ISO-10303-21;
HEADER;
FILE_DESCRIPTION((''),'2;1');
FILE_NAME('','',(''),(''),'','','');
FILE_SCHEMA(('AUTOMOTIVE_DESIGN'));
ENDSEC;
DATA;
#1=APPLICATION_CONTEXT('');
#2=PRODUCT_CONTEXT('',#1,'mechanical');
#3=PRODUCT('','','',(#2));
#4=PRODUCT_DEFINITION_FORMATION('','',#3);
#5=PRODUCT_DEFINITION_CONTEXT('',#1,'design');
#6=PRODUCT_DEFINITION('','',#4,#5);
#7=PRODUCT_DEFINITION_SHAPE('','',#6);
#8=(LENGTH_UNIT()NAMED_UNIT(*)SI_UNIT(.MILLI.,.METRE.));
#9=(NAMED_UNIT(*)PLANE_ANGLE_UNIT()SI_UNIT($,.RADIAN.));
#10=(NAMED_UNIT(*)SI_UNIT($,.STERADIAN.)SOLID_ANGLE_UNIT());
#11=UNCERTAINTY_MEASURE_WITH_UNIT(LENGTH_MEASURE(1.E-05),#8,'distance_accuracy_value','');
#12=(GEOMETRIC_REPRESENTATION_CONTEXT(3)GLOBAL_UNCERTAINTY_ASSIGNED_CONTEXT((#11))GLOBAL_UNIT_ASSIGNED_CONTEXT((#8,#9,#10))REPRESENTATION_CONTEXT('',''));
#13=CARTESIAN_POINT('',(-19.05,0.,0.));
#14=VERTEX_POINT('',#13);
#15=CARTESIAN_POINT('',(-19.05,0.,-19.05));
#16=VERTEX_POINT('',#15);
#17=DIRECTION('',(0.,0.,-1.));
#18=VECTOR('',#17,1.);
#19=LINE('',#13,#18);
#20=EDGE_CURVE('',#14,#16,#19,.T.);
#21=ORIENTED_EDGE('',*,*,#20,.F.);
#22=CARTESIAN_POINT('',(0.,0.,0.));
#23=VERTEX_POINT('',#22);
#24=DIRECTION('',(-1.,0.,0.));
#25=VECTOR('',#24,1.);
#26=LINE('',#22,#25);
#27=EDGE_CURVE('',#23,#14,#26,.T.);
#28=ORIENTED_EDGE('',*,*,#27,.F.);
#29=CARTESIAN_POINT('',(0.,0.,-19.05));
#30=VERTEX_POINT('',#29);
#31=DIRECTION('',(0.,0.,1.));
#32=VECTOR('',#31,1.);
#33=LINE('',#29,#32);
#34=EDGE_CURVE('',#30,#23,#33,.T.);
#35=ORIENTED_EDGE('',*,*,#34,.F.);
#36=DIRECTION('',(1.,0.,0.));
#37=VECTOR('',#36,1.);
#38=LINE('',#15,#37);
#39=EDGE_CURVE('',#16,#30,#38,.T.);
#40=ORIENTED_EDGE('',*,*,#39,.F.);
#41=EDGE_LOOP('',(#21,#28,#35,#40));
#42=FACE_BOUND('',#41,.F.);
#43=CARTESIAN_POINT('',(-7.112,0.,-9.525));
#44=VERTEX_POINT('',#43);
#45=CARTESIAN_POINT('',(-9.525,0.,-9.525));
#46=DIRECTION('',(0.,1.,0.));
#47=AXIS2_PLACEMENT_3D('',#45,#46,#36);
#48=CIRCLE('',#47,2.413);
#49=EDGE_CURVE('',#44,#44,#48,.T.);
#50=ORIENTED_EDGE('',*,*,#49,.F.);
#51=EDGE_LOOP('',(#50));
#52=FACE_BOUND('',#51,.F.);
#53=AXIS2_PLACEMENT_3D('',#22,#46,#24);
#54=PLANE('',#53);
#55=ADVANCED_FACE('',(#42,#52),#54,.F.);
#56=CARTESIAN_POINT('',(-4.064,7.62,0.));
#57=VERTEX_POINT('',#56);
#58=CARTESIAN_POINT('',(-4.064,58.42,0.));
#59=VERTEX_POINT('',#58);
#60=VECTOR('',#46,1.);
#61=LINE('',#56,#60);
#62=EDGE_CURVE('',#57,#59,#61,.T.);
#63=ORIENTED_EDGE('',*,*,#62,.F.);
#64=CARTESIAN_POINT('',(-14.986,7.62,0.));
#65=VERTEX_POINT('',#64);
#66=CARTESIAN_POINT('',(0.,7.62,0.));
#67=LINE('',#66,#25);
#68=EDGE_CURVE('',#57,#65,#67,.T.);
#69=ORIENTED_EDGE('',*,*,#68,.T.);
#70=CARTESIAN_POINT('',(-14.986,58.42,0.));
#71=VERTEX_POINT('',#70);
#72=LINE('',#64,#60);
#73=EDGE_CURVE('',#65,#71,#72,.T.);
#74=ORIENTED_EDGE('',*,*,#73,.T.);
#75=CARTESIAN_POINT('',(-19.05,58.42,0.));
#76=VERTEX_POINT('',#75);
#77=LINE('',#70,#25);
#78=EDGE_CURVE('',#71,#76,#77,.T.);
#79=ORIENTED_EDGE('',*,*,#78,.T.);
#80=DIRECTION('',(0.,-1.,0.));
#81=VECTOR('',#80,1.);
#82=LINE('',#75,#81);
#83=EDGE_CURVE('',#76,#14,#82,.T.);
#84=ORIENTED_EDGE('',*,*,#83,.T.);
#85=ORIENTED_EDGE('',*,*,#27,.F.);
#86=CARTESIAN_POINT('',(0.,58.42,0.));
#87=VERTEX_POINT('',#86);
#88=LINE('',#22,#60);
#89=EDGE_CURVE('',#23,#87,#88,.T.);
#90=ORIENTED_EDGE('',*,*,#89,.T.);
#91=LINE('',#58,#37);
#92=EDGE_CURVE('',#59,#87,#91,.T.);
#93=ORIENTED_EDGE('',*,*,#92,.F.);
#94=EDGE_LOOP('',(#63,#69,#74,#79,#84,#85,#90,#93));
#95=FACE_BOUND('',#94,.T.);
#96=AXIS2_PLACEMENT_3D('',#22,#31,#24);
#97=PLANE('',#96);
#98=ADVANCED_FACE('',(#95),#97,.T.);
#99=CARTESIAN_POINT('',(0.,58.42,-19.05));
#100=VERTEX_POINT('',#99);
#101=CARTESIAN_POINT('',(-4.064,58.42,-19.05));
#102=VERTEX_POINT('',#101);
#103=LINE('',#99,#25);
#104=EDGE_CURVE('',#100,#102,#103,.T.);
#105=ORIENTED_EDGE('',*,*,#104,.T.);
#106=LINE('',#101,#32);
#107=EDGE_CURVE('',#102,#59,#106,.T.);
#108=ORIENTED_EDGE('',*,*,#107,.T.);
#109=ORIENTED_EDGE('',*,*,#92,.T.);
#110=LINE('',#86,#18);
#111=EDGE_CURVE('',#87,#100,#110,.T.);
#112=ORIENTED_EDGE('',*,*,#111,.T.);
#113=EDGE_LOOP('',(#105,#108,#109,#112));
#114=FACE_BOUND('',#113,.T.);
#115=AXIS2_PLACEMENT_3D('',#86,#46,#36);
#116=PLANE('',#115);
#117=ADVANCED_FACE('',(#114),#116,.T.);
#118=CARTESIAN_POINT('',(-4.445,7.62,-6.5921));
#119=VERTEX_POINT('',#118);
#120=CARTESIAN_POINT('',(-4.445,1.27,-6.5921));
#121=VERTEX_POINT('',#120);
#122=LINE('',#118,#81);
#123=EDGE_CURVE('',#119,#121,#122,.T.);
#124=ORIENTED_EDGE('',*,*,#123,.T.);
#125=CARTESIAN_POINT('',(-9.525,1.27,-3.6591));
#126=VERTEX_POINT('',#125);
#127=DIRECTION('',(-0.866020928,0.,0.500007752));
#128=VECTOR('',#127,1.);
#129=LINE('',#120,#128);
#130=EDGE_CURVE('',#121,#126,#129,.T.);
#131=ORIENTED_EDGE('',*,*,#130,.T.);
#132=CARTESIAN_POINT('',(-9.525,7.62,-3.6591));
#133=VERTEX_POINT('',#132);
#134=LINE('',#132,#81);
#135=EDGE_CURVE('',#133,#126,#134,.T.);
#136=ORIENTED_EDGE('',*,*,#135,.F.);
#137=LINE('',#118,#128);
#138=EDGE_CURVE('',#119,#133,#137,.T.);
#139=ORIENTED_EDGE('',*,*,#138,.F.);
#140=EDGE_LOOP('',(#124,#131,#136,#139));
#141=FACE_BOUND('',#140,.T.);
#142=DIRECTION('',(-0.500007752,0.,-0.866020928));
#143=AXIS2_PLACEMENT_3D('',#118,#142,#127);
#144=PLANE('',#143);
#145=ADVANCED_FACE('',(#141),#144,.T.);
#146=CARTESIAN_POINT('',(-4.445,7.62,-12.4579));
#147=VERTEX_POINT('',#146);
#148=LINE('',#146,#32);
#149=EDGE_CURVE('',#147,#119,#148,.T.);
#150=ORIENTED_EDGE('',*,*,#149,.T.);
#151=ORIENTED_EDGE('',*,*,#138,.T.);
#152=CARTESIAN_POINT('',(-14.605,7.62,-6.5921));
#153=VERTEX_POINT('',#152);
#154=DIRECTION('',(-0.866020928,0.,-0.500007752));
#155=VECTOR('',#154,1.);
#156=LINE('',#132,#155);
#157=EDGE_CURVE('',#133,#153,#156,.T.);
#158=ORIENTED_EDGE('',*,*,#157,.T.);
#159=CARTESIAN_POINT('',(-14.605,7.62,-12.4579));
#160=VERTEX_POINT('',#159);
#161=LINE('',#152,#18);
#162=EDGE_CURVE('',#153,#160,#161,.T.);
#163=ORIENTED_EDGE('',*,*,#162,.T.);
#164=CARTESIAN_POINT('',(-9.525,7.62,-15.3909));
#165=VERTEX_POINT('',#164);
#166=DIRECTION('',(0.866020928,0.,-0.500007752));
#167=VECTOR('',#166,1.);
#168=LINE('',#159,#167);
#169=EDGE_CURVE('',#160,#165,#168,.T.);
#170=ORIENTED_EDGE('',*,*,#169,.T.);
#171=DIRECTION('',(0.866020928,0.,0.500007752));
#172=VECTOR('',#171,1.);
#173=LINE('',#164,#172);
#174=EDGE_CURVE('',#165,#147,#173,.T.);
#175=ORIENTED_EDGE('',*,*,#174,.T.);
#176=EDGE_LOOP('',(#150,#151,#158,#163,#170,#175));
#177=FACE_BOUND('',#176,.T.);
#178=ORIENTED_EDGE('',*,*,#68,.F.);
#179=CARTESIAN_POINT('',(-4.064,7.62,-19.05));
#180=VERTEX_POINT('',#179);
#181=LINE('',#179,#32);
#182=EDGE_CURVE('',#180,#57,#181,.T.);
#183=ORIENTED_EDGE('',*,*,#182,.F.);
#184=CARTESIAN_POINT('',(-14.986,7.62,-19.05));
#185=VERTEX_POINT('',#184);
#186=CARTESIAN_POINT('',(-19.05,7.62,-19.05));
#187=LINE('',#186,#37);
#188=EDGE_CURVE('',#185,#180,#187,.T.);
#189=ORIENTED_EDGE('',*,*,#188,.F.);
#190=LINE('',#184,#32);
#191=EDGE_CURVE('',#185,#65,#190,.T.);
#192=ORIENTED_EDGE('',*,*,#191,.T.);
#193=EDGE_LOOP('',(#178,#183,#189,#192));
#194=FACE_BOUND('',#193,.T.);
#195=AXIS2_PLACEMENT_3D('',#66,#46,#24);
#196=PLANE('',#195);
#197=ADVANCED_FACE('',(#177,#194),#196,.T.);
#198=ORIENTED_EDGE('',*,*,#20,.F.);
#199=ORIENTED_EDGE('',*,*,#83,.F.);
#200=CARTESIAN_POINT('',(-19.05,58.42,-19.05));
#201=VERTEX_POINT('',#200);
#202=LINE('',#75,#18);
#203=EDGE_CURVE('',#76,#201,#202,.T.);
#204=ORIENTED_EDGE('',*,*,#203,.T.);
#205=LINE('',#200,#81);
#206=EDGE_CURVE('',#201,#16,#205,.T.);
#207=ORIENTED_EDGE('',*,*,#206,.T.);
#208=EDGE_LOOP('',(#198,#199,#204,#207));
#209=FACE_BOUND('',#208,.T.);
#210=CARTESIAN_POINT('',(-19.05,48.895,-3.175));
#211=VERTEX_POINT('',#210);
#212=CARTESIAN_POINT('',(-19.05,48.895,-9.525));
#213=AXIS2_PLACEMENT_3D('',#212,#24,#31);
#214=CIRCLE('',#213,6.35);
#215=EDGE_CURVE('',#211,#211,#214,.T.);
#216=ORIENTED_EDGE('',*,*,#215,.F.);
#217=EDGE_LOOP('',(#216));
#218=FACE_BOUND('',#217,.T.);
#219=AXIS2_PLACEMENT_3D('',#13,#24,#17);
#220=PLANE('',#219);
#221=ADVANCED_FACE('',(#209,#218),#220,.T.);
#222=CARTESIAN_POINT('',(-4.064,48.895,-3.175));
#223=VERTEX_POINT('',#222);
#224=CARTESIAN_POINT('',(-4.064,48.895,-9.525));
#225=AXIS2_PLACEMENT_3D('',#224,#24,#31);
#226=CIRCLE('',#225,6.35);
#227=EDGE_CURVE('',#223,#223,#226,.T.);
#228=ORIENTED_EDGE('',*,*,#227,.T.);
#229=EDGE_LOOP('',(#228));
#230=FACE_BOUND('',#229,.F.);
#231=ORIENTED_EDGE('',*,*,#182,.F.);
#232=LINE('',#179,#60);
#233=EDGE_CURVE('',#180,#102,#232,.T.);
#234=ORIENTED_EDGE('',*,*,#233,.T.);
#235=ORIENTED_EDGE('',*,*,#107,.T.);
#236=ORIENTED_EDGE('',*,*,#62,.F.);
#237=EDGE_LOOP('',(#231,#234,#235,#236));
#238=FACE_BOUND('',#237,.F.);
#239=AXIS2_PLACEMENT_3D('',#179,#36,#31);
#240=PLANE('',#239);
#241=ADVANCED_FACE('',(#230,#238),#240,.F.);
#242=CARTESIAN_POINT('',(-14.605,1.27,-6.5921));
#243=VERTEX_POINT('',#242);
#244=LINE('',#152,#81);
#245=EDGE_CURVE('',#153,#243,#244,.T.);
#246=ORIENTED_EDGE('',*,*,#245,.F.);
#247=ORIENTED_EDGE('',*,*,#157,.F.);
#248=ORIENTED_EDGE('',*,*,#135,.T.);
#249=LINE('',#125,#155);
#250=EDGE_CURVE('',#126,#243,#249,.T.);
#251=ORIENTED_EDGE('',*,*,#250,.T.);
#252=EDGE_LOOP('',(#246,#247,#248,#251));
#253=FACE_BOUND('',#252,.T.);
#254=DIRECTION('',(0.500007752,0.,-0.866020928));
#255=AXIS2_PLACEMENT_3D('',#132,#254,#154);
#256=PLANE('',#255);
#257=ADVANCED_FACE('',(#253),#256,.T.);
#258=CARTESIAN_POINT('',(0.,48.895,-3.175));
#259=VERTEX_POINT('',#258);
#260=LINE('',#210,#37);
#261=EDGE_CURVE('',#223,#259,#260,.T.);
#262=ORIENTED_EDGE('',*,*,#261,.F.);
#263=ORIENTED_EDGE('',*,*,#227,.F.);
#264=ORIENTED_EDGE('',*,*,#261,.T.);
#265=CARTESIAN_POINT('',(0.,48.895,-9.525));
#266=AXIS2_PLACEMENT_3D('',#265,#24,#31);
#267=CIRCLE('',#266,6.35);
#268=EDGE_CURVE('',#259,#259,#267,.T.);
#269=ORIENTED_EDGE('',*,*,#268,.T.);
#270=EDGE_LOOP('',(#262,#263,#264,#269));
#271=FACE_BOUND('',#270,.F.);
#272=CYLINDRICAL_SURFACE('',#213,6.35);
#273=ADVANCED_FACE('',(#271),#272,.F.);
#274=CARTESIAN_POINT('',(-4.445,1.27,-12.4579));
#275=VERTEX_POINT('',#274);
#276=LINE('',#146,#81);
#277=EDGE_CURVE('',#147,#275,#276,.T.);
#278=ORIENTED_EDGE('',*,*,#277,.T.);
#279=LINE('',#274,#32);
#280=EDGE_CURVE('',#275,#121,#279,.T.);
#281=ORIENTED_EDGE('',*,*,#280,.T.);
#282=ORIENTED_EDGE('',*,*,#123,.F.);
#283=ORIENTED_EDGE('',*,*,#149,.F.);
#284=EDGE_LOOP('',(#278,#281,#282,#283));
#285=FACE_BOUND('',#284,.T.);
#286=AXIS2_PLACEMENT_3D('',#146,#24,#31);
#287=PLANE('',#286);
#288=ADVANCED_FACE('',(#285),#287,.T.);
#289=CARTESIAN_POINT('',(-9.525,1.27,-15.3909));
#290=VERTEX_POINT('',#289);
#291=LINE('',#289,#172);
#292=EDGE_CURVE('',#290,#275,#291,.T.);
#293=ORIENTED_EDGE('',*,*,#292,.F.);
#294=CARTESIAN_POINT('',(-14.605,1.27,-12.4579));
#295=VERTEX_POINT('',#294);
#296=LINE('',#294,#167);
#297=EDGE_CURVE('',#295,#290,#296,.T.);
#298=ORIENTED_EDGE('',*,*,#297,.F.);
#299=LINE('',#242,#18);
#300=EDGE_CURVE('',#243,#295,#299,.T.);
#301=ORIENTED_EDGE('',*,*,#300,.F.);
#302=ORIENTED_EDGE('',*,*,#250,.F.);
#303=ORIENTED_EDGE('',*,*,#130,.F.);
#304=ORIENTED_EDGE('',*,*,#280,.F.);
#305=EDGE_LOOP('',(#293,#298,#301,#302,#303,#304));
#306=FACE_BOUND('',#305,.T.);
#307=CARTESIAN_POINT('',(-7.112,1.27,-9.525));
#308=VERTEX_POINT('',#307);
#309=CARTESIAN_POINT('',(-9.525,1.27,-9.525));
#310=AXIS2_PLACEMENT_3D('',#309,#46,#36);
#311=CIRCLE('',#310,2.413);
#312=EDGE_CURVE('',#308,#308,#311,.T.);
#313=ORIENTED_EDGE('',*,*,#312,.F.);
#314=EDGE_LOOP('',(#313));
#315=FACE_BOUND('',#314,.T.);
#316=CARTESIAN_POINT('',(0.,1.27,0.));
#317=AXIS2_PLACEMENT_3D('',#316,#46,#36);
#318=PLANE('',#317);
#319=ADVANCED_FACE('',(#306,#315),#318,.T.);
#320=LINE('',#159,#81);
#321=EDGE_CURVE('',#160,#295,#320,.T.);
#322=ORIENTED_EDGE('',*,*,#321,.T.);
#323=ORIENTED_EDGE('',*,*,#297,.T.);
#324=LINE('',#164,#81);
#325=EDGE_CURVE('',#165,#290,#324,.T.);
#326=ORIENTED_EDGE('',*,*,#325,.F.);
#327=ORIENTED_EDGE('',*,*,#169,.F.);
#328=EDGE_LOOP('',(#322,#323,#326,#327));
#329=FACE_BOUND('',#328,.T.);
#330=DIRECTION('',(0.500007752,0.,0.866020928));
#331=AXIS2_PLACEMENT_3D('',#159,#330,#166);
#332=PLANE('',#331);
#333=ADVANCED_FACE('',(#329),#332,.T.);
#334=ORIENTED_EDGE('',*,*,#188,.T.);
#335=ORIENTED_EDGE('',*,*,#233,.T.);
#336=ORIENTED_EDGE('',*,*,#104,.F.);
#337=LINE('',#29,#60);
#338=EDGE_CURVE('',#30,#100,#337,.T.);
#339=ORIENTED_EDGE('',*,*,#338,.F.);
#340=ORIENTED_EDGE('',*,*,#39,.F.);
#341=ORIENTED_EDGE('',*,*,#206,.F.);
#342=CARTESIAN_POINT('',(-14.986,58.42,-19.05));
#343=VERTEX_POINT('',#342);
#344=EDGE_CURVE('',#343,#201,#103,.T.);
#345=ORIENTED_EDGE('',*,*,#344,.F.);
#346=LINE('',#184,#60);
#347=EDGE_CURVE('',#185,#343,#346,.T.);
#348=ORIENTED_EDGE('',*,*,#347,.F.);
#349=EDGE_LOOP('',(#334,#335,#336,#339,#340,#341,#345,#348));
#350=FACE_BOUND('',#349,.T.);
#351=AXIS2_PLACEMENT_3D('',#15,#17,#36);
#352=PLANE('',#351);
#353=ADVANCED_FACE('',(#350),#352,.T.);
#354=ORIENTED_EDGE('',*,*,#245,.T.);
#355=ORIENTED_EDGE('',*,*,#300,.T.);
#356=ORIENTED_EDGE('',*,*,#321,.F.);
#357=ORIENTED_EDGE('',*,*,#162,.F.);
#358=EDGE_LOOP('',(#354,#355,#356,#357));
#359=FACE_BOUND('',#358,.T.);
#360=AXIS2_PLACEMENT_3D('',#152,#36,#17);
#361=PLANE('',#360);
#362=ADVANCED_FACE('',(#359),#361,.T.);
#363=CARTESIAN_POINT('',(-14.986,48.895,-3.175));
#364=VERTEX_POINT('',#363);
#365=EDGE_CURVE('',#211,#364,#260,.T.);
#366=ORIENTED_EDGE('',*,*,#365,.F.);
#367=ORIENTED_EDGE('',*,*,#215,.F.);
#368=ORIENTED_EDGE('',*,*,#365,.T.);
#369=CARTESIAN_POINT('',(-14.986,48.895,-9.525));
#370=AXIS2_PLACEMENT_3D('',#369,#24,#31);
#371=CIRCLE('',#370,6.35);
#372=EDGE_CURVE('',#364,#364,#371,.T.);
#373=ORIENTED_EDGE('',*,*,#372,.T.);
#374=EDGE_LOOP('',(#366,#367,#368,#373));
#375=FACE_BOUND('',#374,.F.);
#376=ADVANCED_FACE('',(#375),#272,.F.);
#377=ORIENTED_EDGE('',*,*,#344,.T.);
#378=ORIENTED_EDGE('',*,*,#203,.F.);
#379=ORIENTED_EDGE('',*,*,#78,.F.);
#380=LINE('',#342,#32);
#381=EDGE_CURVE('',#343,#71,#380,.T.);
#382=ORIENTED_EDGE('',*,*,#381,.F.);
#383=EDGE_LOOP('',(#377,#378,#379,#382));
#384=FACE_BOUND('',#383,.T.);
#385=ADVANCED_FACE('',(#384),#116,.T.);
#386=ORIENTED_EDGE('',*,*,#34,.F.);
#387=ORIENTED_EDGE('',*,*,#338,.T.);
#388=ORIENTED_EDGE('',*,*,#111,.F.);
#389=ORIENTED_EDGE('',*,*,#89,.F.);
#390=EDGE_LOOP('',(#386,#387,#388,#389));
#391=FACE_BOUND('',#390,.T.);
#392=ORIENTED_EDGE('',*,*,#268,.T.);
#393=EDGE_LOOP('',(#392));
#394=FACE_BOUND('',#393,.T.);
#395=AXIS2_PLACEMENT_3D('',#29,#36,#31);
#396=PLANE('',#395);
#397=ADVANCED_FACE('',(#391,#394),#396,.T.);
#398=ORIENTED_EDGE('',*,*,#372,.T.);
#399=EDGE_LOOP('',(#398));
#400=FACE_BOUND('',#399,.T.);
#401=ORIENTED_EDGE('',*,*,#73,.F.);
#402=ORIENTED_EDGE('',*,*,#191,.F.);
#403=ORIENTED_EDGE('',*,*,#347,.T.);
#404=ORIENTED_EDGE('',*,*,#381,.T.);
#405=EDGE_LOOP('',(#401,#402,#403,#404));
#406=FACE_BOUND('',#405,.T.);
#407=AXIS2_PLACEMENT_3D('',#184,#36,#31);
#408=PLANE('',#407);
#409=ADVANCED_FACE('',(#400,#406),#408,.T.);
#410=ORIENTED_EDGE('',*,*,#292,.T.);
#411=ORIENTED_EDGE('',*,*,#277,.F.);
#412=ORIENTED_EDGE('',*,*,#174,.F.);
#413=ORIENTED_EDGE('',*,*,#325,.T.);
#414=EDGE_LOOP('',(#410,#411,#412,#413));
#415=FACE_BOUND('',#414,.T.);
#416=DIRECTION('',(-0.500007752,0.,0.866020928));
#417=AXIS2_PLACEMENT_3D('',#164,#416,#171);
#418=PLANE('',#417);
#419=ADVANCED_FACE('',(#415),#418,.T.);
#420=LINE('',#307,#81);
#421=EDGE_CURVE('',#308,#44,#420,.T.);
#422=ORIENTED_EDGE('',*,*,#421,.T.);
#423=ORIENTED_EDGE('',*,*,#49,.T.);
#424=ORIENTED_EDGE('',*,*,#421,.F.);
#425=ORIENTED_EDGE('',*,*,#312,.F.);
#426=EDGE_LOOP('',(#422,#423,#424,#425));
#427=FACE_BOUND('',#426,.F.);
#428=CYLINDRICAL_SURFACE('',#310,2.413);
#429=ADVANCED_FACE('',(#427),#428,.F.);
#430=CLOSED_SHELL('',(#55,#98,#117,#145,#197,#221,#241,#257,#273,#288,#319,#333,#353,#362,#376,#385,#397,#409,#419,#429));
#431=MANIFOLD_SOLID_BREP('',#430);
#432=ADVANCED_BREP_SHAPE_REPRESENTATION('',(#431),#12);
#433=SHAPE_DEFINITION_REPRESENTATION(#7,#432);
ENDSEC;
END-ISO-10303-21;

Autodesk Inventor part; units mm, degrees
ref_plane "YZ Plane" through (0, 0, 0) normal (1, 0, 0) x (0, 1, 0)
ref_plane "XZ Plane" through (0, 0, 0) normal (0, 1, 0) x (-1, 0, 0)
ref_plane "XY Plane" through (0, 0, 0) normal (0, 0, 1) x (1, 0, 0)
sketch "Sketch1" plane through (0, 0, 0) normal (0, 1, 0) x (-1, 0, 0)
  line L0 (0, 0) -> (19.05, 0)
  line L1 (19.05, 0) -> (19.05, -19.05)
  line L2 (19.05, -19.05) -> (0, -19.05)
  line L3 (0, -19.05) -> (0, 0)
  dimension "d0" = 19.05
  dimension "d1" = 19.05
extrude "Extrusion1" add sketch "Sketch1" along normal blind 7.62
sketch "Sketch2" plane through (0, 7.62, 0) normal (0, 1, 0) x (1, 0, 0)
  line L0 (-9.525, 3.6591) -> (-14.605, 6.5921)
  line L1 (-14.605, 6.5921) -> (-14.605, 12.4579)
  line L2 (-14.605, 12.4579) -> (-9.525, 15.3909)
  line L3 (-9.525, 15.3909) -> (-4.445, 12.4579)
  line L4 (-4.445, 12.4579) -> (-4.445, 6.5921)
  line L5 (-4.445, 6.5921) -> (-9.525, 3.6591)
  line L6 (0, 19.05) -> (-19.05, 19.05) projected
  line L7 (0, 0) -> (0, 19.05) projected
  point P0 (-9.525, 9.525)
  dimension "d4" = 10.16
  dimension "d5" = 9.525
  dimension "d6" = 9.525
extrude "Extrusion2" cut sketch "Sketch2" against normal blind 6.35
sketch "Sketch3" plane through (0, 1.27, 0) normal (0, 1, 0) x (1, 0, 0)
  circle A0 centre (-9.525, 9.525) radius 2.413
  line L0 (-14.605, 12.4579) -> (-9.525, 15.3909) projected
  line L1 (-9.525, 3.6591) -> (-14.605, 6.5921) projected
  point P0 (0, 0)
  dimension "d9" = 4.826
  dimension "d10" = 5.08
  dimension "d11" = 5.08
extrude "Extrusion3" cut sketch "Sketch3" against normal blind 12.7
sketch "Sketch4" plane through (0, 7.62, 0) normal (0, 1, 0) x (1, 0, 0)
  line L0 (0, 19.05) -> (-19.05, 19.05) projected
  line L1 (-19.05, 19.05) -> (-14.986, 19.05)
  line L2 (-14.986, 19.05) -> (-14.986, 0)
  line L3 (-14.986, 0) -> (-19.05, 0)
  line L4 (-19.05, 0) -> (-19.05, 19.05)
  line L5 (0, 19.05) -> (-4.064, 19.05)
  line L6 (-4.064, 19.05) -> (-4.064, 0)
  line L7 (-4.064, 0) -> (0, 0)
  line L8 (0, 0) -> (0, 19.05)
  line L9 (-19.05, 0) -> (0, 0) projected
  dimension "d14" = 4.064
  dimension "d15" = 4.064
extrude "Extrusion4" add sketch "Sketch4" along normal blind 50.8 contours L8 L7 L6 L0 | L2 L3 L4 L0
sketch "Sketch5" plane through (-19.05, 0, -19.05) normal (-1, 0, 0) x (0, 0, 1)
  circle A0 centre (9.525, 48.895) radius 6.35
  line L0 (19.05, 0) -> (19.05, 58.42) projected
  line L1 (0, 58.42) -> (19.05, 58.42) projected
  dimension "d18" = 12.7
  dimension "d19" = 9.525
  dimension "d20" = 9.525
extrude "Extrusion5" cut sketch "Sketch5" against normal blind 19.05
properties part number "silider shaft" material "ABS Plastic"
